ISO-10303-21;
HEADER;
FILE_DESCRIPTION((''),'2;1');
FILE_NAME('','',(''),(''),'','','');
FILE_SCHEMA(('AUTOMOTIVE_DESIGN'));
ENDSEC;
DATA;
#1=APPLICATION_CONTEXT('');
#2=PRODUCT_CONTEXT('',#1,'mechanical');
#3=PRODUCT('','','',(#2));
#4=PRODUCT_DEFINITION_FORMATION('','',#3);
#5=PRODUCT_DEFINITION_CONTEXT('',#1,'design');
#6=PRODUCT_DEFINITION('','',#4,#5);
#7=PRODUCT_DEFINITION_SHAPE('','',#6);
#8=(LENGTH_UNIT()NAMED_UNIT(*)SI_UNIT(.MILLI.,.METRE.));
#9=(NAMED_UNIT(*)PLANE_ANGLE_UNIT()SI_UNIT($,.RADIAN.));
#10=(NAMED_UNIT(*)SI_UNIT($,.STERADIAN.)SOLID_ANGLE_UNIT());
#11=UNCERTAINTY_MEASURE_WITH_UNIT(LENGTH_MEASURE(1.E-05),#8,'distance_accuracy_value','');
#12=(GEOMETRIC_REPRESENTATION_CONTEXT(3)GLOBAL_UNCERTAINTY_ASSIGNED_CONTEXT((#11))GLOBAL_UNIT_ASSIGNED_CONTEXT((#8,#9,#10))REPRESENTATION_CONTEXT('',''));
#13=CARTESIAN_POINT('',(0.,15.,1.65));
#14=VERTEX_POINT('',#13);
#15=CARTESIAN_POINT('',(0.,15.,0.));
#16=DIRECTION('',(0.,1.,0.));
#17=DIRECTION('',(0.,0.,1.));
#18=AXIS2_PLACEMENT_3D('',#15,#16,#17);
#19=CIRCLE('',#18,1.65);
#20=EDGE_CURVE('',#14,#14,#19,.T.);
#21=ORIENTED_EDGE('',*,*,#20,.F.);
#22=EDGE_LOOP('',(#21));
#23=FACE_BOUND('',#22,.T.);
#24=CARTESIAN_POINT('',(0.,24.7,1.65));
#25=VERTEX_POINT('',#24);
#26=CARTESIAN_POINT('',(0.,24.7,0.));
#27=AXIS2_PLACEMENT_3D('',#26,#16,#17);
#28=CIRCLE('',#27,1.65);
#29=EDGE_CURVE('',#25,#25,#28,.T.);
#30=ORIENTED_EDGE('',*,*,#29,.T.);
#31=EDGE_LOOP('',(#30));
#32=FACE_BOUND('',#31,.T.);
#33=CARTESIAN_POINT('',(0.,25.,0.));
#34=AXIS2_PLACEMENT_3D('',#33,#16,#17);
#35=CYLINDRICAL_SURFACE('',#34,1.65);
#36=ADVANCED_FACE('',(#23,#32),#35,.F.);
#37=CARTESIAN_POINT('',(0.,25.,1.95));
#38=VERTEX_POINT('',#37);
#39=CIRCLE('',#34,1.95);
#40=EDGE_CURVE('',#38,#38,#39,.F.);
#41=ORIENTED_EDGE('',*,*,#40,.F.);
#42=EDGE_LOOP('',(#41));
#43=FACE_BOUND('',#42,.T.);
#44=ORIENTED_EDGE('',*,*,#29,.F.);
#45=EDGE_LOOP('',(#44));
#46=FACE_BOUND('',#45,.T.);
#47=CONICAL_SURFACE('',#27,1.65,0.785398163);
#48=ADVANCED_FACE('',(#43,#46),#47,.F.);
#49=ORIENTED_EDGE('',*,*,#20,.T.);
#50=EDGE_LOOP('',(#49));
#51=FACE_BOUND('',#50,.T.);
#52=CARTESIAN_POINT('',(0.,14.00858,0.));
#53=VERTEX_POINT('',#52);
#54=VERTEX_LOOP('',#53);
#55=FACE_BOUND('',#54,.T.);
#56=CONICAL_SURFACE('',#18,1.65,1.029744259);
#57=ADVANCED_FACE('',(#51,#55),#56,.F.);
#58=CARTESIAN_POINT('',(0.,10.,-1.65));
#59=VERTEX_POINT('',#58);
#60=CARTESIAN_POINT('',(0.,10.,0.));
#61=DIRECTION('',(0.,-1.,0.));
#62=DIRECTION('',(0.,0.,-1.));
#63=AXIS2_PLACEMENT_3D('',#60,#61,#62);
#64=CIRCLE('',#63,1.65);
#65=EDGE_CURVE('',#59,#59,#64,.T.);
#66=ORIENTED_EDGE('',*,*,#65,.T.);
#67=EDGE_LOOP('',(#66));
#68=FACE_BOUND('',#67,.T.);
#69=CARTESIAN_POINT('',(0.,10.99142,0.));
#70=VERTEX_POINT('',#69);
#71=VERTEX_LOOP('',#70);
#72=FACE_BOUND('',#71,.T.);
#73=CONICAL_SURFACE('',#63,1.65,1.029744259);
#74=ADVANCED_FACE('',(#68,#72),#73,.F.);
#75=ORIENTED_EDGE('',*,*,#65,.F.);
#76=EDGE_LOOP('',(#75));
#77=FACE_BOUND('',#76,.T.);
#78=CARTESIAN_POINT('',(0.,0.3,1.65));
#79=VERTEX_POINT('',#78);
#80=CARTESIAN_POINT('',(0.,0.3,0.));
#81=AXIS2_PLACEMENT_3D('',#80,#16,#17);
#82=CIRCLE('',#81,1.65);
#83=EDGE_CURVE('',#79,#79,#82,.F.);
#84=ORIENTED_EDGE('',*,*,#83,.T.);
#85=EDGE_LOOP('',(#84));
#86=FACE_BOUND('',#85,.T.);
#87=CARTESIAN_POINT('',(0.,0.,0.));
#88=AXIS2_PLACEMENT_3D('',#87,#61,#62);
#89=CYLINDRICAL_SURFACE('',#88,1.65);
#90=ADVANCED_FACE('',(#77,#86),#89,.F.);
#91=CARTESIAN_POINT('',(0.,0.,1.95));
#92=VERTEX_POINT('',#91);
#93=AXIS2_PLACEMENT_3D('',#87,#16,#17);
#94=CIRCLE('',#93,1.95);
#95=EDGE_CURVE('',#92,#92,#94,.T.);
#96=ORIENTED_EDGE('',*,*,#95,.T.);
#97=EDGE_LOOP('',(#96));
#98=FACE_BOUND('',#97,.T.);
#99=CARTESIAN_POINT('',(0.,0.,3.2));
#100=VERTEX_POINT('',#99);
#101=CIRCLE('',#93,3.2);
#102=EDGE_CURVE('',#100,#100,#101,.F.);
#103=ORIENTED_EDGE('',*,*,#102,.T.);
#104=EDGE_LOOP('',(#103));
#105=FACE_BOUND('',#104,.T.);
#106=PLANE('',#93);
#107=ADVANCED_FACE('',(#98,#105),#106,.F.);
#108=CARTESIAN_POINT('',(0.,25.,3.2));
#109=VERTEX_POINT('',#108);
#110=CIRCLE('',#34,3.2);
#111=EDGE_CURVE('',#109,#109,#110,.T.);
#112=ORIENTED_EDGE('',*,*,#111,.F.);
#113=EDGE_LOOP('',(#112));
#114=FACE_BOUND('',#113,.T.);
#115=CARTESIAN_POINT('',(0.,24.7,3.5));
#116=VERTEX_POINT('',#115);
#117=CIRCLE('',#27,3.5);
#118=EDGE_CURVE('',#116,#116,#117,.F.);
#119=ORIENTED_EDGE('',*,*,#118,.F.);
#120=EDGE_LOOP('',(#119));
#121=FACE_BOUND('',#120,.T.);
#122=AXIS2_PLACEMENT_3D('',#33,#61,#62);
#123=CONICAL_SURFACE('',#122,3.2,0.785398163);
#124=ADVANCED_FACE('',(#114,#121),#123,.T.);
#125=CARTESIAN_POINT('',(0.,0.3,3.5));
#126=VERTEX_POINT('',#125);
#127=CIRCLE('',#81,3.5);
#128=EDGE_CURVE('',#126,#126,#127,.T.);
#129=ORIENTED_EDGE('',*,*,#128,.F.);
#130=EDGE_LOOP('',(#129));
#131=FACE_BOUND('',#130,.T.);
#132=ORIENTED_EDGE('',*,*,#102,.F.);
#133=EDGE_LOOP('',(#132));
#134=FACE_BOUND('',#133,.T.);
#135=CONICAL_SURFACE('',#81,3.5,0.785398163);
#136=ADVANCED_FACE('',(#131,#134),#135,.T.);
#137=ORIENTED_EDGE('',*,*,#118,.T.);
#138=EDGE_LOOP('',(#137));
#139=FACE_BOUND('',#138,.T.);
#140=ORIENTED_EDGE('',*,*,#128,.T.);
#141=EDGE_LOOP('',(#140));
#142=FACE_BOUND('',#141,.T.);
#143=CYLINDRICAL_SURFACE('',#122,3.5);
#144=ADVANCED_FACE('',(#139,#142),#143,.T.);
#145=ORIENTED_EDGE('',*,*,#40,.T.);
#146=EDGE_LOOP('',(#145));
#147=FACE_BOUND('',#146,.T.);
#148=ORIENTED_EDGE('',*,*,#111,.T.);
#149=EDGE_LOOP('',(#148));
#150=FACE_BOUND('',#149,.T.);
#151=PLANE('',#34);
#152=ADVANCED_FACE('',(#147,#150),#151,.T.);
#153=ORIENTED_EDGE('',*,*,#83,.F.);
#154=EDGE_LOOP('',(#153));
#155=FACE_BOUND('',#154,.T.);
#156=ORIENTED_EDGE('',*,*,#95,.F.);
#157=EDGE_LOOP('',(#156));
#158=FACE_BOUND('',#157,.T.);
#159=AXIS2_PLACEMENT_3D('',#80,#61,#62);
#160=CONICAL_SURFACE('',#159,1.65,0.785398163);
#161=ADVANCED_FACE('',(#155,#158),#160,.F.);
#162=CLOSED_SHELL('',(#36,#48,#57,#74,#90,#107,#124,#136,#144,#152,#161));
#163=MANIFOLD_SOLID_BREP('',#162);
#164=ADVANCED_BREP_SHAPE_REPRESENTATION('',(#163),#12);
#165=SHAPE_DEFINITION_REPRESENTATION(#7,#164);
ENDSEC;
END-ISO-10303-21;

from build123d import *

# Parameters (mm, degrees)
SKETCH_1_R             = 3.5
SKETCH_1_R_2           = 1.65
EXTRUDE_1_DEPTH        = 25
HOLE_WIZARD_M4_1_D     = 3.3
HOLE_WIZARD_M4_1_DEPTH = 10
HOLE_WIZARD_M4_1_TIP   = 0.991420021
HOLE_WIZARD_M4_2_D     = 3.3
HOLE_WIZARD_M4_2_DEPTH = 10
HOLE_WIZARD_M4_2_TIP   = 0.991420021
CHAMFER_1_SIZE         = 0.3


with BuildPart() as part:
    # 스케치1 → 보스-돌출1 (new body)
    # profile 1 of 2: a face of its own
    with BuildSketch(Plane(origin=(0, 0, 0), x_dir=(1, 0, 0), z_dir=(0, 1, 0))):
        with Locations(Location((0, 0, 0), (0, 0, 270))):
            Circle(SKETCH_1_R)
        Circle(SKETCH_1_R_2, mode=Mode.SUBTRACT)
    # profile 2 of 2: a face of its own
    with BuildSketch(Plane(origin=(0, 0, 0), x_dir=(1, 0, 0), z_dir=(0, 1, 0))):
        Circle(SKETCH_1_R_2)
    extrude(amount=EXTRUDE_1_DEPTH)

    # M4 탭을 위한 탭 드릴1
    with Locations(Plane(origin=(0, 0, 0), x_dir=(-1, 0, 0), z_dir=(0, -1, 0))):
        with Locations((0, 0)):
            Hole(HOLE_WIZARD_M4_1_D / 2, depth=HOLE_WIZARD_M4_1_DEPTH)
            with Locations((0, 0, -(HOLE_WIZARD_M4_1_DEPTH + HOLE_WIZARD_M4_1_TIP / 2))):  # 118° drill point
                Cone(0, HOLE_WIZARD_M4_1_D / 2, HOLE_WIZARD_M4_1_TIP, mode=Mode.SUBTRACT)

    # M4 탭을 위한 탭 드릴2
    with Locations(Plane(origin=(0, 25, 0), x_dir=(1, 0, 0), z_dir=(0, 1, 0))):
        with Locations((0, 0)):
            Hole(HOLE_WIZARD_M4_2_D / 2, depth=HOLE_WIZARD_M4_2_DEPTH)
            with Locations((0, 0, -(HOLE_WIZARD_M4_2_DEPTH + HOLE_WIZARD_M4_2_TIP / 2))):  # 118° drill point
                Cone(0, HOLE_WIZARD_M4_2_D / 2, HOLE_WIZARD_M4_2_TIP, mode=Mode.SUBTRACT)

    # 모따기1
    chamfer_1_edges = [part.edges().sort_by_distance(p)[0] for p in [
        (1.65, 25, 0),
        (0, 0, -3.5),
        (0, 25, -3.5),
        (-1.65, 0, 0),
    ]]
    chamfer(chamfer_1_edges, length=CHAMFER_1_SIZE)


solid = part.part
